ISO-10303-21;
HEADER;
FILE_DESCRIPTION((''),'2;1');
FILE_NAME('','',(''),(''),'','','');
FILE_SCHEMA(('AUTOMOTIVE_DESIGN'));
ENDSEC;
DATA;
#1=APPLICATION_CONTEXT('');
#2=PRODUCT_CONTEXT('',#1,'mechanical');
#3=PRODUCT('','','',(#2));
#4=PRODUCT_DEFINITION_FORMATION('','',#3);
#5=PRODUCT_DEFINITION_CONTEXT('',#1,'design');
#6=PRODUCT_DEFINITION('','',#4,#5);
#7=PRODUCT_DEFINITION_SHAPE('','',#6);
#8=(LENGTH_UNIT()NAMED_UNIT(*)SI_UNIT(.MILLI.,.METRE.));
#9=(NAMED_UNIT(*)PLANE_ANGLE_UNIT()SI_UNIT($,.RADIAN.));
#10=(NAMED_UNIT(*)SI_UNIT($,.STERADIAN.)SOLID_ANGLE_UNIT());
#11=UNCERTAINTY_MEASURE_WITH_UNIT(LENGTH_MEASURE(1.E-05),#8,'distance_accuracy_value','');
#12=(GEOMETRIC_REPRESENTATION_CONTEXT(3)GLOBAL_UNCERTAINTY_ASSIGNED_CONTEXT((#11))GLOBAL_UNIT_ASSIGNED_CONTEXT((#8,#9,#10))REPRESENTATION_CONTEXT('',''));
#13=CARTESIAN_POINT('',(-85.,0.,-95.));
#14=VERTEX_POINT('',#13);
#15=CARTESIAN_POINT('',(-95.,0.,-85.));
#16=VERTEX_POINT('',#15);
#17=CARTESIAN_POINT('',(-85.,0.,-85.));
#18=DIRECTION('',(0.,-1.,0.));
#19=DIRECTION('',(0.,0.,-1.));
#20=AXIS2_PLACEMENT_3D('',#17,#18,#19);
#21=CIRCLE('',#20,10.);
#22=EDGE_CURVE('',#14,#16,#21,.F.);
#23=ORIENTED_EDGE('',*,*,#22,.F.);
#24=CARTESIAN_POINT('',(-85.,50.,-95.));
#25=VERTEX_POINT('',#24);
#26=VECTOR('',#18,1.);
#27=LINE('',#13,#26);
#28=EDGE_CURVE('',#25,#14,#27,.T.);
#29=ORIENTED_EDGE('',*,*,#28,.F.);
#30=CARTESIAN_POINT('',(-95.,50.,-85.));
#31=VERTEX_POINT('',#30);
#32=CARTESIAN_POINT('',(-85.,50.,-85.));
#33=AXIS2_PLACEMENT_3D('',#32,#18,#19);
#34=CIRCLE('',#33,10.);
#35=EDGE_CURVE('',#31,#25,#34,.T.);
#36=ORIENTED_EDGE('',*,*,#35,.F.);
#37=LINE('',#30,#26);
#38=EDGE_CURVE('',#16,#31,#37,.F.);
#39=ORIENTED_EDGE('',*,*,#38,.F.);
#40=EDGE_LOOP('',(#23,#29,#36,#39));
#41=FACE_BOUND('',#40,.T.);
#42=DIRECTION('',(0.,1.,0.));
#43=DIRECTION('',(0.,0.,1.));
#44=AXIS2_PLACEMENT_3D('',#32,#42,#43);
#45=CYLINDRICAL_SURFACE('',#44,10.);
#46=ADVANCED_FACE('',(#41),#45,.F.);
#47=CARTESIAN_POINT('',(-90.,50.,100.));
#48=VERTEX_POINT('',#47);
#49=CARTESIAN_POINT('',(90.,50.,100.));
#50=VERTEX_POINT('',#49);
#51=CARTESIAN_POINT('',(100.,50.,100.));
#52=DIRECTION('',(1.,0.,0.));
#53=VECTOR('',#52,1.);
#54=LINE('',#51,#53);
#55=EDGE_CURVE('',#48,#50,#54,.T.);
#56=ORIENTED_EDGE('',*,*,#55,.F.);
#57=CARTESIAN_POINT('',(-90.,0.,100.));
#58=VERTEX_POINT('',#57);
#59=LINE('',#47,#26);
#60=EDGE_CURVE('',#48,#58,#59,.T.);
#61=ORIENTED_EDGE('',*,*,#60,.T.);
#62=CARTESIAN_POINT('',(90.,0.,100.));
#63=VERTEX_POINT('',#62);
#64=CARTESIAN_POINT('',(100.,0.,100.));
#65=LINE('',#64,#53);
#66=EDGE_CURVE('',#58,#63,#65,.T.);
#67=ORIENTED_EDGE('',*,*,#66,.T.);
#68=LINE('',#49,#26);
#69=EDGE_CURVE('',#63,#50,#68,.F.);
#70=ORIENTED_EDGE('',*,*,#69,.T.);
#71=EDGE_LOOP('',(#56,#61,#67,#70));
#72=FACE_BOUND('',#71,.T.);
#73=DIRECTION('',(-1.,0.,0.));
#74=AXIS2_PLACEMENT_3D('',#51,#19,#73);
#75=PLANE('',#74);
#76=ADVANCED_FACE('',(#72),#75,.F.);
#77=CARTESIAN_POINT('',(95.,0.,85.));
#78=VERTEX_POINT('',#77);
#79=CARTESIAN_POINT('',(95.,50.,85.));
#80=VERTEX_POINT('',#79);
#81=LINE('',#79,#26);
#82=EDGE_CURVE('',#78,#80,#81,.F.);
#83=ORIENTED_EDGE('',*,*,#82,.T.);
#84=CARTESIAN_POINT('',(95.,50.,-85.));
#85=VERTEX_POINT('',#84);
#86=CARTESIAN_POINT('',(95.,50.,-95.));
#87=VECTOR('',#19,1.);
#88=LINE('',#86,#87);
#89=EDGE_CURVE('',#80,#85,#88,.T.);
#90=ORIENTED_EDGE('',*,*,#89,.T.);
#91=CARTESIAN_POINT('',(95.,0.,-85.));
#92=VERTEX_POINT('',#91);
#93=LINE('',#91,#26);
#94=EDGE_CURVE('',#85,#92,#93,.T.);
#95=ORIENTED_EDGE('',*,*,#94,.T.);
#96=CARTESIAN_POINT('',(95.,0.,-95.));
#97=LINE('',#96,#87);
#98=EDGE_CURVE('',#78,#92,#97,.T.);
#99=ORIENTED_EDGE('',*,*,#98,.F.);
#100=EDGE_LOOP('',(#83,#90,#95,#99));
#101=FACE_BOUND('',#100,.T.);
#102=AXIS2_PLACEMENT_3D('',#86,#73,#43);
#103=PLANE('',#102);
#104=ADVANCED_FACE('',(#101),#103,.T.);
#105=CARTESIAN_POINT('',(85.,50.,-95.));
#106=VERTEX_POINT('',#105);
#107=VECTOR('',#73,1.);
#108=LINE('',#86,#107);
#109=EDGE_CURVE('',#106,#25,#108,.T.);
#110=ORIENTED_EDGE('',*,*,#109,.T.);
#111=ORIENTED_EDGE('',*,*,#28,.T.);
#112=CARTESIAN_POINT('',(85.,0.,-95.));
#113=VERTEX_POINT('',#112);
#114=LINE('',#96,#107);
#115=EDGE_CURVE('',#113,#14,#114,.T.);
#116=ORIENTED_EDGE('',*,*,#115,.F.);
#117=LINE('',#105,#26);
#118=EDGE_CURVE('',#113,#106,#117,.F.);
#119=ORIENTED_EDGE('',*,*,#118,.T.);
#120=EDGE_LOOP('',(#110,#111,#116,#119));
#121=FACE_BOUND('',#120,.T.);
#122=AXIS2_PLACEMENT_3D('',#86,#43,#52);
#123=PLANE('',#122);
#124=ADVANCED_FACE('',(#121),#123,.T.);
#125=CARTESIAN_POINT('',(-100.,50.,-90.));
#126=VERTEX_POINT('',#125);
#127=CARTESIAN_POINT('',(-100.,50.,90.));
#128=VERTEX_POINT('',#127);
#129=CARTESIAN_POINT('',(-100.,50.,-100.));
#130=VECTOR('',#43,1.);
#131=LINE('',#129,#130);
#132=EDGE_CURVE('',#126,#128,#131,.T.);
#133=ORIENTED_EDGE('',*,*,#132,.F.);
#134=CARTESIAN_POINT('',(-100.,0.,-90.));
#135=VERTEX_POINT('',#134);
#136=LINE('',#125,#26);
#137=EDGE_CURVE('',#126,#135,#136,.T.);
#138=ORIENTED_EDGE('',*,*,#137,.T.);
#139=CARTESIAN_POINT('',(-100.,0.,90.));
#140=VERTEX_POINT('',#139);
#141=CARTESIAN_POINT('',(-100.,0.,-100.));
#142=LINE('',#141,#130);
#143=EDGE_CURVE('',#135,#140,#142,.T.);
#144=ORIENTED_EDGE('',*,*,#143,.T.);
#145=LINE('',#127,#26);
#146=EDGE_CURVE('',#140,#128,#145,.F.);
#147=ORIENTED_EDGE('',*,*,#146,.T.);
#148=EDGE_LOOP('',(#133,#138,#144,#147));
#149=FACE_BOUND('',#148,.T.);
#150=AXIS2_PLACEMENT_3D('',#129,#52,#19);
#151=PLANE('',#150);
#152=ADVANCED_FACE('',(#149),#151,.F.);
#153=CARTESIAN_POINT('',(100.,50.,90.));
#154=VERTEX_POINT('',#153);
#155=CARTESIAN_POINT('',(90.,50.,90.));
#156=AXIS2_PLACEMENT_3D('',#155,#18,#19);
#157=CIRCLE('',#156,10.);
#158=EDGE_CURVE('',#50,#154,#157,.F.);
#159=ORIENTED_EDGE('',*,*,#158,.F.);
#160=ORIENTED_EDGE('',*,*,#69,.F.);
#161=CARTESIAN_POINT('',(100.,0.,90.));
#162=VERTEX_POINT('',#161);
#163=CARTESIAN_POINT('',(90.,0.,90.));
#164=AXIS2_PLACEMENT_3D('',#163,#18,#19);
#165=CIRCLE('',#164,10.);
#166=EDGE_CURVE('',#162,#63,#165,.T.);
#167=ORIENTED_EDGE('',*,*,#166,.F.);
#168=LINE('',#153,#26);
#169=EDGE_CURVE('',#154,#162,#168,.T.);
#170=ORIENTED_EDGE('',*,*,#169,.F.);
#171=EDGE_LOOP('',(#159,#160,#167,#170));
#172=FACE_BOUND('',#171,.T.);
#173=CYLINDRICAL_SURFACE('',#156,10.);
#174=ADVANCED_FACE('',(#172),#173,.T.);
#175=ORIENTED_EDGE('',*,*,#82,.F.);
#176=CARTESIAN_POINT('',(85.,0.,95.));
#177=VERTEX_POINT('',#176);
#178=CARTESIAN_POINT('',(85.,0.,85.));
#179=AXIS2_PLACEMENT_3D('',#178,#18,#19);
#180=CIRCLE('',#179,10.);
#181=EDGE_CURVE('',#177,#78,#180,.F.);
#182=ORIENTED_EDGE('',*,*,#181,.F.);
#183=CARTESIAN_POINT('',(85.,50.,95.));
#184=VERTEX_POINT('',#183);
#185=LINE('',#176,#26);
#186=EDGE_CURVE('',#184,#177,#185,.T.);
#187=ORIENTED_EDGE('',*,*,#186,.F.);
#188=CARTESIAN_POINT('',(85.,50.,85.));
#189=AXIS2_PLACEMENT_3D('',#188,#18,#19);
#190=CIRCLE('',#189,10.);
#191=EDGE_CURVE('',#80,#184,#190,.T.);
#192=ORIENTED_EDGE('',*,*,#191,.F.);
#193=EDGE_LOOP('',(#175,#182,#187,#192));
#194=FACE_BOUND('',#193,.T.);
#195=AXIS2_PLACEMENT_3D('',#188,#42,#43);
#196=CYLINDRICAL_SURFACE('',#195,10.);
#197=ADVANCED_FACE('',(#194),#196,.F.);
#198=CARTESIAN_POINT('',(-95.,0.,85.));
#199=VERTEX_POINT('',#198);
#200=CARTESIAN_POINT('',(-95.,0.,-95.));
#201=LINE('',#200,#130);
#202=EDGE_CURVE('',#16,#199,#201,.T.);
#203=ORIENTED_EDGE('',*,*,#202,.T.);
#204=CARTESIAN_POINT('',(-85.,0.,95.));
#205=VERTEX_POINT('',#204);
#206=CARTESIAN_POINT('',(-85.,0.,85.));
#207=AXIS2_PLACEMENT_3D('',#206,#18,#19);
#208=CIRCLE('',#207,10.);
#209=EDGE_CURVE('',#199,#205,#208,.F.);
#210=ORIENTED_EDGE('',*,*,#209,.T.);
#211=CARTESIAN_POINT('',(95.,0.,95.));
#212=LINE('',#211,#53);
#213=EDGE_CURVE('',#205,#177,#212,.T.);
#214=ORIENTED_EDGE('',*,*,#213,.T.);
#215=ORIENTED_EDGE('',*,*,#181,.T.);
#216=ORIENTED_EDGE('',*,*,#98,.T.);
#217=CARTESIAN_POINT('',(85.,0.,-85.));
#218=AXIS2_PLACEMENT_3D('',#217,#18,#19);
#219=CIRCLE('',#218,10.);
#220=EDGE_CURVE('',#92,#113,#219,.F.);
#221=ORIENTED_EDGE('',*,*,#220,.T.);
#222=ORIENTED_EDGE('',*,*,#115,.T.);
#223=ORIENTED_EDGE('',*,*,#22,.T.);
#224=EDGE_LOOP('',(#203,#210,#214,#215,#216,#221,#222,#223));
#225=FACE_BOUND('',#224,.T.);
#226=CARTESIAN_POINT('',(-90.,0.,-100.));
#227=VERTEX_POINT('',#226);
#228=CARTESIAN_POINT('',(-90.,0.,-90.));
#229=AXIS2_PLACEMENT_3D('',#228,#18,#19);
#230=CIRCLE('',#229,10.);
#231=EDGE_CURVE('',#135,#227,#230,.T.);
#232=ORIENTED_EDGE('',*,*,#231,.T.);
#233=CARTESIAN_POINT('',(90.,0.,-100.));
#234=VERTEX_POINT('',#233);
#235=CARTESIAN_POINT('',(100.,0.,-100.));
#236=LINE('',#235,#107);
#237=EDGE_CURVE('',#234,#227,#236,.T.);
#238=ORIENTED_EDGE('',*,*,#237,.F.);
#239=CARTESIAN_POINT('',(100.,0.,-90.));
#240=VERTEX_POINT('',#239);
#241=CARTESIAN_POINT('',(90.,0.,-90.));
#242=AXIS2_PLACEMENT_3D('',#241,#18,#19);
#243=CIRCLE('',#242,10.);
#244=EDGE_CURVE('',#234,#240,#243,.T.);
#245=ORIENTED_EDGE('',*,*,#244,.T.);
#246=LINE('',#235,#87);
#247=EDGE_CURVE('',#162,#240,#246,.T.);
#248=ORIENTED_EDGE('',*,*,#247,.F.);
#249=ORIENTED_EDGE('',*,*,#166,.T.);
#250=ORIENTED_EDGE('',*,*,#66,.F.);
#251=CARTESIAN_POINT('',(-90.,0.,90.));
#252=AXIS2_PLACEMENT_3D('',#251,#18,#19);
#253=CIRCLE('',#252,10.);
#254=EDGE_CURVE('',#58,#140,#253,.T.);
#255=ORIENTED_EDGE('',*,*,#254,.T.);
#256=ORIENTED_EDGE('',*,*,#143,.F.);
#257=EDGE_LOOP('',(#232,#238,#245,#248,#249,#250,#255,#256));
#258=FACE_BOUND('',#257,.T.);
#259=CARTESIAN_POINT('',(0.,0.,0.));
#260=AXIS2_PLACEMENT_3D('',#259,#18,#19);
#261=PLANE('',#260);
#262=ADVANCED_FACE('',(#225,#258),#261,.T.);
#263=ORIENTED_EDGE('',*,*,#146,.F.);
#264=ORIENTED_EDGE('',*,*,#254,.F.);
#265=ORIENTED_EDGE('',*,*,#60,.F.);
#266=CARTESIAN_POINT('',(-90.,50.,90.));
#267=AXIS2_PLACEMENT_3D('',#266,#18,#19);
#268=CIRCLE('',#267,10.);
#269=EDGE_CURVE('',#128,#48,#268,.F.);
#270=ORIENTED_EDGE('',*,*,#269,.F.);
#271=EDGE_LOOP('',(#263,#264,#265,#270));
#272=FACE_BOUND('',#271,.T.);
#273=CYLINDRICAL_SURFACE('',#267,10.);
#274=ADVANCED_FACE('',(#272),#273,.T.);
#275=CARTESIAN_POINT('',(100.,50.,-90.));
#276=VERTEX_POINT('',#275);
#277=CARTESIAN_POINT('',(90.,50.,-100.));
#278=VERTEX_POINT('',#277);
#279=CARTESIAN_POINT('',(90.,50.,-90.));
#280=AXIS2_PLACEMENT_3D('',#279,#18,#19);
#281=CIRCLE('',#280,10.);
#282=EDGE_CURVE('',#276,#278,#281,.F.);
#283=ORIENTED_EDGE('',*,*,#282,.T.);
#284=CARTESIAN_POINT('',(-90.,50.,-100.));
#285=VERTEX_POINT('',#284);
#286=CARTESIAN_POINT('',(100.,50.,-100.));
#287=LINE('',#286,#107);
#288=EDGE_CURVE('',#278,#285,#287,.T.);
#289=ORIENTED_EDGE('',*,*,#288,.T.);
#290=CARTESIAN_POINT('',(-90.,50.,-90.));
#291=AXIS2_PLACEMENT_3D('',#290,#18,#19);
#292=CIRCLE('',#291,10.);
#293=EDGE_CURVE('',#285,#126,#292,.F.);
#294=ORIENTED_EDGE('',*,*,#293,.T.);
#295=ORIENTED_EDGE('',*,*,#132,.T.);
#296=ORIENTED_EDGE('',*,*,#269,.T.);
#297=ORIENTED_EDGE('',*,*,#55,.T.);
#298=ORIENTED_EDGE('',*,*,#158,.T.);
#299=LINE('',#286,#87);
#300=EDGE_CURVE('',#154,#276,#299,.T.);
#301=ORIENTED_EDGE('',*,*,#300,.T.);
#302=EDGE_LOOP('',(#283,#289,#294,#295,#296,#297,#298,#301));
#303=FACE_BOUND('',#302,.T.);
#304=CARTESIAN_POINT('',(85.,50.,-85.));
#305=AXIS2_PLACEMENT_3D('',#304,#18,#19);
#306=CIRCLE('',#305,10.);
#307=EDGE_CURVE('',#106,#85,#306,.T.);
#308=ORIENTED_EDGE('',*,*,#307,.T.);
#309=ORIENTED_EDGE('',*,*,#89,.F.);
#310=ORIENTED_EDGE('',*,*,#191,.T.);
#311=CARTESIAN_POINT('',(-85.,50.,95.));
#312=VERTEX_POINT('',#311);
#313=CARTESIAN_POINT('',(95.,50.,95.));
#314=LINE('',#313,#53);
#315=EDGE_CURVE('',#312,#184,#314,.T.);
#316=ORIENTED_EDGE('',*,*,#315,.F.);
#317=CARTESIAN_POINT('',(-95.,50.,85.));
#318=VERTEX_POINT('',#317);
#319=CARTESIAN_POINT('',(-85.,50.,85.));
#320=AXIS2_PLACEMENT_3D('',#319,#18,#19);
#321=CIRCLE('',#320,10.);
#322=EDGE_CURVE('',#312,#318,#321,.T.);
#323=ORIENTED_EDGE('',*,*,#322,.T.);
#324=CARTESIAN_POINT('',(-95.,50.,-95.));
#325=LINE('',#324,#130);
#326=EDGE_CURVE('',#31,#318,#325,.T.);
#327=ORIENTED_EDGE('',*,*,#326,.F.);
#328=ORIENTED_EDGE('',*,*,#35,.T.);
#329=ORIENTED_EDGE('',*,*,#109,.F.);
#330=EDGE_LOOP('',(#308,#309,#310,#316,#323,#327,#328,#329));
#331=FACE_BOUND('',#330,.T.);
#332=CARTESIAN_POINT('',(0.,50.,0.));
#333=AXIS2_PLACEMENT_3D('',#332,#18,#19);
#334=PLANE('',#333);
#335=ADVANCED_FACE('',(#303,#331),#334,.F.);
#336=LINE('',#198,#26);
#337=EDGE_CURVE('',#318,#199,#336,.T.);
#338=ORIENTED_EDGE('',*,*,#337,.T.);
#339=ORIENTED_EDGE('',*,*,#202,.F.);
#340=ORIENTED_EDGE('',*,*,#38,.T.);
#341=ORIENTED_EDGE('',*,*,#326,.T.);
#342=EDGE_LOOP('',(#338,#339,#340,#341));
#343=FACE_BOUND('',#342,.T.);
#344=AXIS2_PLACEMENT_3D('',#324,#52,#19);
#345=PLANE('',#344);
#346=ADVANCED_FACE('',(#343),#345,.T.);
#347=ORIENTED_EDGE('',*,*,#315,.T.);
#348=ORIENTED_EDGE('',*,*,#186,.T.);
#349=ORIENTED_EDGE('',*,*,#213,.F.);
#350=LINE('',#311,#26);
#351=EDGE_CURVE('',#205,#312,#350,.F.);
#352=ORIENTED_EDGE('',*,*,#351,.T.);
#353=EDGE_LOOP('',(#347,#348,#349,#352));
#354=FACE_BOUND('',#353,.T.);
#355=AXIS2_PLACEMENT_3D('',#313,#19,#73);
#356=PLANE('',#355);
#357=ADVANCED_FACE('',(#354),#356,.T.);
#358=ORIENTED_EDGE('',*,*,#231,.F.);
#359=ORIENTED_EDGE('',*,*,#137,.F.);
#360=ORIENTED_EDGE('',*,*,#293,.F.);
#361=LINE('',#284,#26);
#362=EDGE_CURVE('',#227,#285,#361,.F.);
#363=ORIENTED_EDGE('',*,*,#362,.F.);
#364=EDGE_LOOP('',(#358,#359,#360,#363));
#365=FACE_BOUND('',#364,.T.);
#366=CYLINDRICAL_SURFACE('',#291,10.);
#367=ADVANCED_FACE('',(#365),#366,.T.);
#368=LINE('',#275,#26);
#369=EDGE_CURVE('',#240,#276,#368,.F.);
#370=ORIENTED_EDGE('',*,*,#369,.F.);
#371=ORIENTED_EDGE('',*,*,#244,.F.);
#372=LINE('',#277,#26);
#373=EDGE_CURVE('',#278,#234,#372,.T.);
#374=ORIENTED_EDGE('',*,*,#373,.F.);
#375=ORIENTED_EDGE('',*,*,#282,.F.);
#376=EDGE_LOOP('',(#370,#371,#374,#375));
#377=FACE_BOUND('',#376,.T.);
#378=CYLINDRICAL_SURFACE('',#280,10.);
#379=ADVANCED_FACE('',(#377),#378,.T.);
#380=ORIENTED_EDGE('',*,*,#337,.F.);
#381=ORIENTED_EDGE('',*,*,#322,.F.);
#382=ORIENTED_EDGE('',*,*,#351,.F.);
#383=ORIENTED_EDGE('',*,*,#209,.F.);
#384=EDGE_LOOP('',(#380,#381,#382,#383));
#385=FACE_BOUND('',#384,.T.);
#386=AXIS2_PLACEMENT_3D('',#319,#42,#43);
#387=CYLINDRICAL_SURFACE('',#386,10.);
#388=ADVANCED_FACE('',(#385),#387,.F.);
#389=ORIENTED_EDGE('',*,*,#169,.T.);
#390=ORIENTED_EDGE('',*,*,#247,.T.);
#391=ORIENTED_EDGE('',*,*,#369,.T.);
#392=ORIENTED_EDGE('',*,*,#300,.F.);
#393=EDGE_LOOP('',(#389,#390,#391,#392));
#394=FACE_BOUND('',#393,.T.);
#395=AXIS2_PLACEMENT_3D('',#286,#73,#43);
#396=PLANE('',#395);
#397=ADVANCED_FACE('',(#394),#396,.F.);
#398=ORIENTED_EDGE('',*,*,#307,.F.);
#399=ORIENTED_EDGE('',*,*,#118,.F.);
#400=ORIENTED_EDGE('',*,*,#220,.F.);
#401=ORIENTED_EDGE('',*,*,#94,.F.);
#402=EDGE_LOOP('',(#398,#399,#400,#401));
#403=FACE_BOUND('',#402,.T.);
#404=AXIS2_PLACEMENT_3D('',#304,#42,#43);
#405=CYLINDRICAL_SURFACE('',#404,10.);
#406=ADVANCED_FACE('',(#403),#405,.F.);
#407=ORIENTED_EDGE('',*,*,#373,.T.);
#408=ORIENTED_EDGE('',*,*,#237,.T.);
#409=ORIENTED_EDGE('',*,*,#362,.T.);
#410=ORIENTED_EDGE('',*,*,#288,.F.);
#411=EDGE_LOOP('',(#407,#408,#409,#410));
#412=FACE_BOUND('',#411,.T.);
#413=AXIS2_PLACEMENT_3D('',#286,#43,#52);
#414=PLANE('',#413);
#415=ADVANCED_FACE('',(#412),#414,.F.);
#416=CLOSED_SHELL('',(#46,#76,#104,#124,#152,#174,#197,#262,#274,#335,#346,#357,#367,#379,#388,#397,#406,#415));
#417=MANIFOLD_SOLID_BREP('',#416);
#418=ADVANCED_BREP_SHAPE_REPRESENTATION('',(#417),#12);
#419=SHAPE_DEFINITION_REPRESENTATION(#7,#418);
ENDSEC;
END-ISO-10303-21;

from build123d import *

# Parameters (mm, degrees)
SKETCH_1_W      = 200
SKETCH_1_H      = 200
SKETCH_1_W_2    = 190
SKETCH_1_H_2    = 190
EXTRUDE_1_DEPTH = 50
FILLET_1_R      = 10


with BuildPart() as part:
    # 草图1 → 凸台-拉伸1 (new body)
    with BuildSketch(Plane(origin=(0, 0, 0), x_dir=(1, 0, 0), z_dir=(0, 1, 0))):
        Rectangle(SKETCH_1_W, SKETCH_1_H)
        Rectangle(SKETCH_1_W_2, SKETCH_1_H_2, mode=Mode.SUBTRACT)
    extrude(amount=EXTRUDE_1_DEPTH)

    # 圆角1
    fillet_1_edges = [part.edges().sort_by_distance(p)[0] for p in [
        (95, 25, 95),
        (95, 25, -95),
        (-95, 25, -95),
        (-95, 25, 95),
        (-100, 25, -100),
        (100, 25, -100),
        (100, 25, 100),
        (-100, 25, 100),
    ]]
    fillet(fillet_1_edges, radius=FILLET_1_R)


solid = part.part
